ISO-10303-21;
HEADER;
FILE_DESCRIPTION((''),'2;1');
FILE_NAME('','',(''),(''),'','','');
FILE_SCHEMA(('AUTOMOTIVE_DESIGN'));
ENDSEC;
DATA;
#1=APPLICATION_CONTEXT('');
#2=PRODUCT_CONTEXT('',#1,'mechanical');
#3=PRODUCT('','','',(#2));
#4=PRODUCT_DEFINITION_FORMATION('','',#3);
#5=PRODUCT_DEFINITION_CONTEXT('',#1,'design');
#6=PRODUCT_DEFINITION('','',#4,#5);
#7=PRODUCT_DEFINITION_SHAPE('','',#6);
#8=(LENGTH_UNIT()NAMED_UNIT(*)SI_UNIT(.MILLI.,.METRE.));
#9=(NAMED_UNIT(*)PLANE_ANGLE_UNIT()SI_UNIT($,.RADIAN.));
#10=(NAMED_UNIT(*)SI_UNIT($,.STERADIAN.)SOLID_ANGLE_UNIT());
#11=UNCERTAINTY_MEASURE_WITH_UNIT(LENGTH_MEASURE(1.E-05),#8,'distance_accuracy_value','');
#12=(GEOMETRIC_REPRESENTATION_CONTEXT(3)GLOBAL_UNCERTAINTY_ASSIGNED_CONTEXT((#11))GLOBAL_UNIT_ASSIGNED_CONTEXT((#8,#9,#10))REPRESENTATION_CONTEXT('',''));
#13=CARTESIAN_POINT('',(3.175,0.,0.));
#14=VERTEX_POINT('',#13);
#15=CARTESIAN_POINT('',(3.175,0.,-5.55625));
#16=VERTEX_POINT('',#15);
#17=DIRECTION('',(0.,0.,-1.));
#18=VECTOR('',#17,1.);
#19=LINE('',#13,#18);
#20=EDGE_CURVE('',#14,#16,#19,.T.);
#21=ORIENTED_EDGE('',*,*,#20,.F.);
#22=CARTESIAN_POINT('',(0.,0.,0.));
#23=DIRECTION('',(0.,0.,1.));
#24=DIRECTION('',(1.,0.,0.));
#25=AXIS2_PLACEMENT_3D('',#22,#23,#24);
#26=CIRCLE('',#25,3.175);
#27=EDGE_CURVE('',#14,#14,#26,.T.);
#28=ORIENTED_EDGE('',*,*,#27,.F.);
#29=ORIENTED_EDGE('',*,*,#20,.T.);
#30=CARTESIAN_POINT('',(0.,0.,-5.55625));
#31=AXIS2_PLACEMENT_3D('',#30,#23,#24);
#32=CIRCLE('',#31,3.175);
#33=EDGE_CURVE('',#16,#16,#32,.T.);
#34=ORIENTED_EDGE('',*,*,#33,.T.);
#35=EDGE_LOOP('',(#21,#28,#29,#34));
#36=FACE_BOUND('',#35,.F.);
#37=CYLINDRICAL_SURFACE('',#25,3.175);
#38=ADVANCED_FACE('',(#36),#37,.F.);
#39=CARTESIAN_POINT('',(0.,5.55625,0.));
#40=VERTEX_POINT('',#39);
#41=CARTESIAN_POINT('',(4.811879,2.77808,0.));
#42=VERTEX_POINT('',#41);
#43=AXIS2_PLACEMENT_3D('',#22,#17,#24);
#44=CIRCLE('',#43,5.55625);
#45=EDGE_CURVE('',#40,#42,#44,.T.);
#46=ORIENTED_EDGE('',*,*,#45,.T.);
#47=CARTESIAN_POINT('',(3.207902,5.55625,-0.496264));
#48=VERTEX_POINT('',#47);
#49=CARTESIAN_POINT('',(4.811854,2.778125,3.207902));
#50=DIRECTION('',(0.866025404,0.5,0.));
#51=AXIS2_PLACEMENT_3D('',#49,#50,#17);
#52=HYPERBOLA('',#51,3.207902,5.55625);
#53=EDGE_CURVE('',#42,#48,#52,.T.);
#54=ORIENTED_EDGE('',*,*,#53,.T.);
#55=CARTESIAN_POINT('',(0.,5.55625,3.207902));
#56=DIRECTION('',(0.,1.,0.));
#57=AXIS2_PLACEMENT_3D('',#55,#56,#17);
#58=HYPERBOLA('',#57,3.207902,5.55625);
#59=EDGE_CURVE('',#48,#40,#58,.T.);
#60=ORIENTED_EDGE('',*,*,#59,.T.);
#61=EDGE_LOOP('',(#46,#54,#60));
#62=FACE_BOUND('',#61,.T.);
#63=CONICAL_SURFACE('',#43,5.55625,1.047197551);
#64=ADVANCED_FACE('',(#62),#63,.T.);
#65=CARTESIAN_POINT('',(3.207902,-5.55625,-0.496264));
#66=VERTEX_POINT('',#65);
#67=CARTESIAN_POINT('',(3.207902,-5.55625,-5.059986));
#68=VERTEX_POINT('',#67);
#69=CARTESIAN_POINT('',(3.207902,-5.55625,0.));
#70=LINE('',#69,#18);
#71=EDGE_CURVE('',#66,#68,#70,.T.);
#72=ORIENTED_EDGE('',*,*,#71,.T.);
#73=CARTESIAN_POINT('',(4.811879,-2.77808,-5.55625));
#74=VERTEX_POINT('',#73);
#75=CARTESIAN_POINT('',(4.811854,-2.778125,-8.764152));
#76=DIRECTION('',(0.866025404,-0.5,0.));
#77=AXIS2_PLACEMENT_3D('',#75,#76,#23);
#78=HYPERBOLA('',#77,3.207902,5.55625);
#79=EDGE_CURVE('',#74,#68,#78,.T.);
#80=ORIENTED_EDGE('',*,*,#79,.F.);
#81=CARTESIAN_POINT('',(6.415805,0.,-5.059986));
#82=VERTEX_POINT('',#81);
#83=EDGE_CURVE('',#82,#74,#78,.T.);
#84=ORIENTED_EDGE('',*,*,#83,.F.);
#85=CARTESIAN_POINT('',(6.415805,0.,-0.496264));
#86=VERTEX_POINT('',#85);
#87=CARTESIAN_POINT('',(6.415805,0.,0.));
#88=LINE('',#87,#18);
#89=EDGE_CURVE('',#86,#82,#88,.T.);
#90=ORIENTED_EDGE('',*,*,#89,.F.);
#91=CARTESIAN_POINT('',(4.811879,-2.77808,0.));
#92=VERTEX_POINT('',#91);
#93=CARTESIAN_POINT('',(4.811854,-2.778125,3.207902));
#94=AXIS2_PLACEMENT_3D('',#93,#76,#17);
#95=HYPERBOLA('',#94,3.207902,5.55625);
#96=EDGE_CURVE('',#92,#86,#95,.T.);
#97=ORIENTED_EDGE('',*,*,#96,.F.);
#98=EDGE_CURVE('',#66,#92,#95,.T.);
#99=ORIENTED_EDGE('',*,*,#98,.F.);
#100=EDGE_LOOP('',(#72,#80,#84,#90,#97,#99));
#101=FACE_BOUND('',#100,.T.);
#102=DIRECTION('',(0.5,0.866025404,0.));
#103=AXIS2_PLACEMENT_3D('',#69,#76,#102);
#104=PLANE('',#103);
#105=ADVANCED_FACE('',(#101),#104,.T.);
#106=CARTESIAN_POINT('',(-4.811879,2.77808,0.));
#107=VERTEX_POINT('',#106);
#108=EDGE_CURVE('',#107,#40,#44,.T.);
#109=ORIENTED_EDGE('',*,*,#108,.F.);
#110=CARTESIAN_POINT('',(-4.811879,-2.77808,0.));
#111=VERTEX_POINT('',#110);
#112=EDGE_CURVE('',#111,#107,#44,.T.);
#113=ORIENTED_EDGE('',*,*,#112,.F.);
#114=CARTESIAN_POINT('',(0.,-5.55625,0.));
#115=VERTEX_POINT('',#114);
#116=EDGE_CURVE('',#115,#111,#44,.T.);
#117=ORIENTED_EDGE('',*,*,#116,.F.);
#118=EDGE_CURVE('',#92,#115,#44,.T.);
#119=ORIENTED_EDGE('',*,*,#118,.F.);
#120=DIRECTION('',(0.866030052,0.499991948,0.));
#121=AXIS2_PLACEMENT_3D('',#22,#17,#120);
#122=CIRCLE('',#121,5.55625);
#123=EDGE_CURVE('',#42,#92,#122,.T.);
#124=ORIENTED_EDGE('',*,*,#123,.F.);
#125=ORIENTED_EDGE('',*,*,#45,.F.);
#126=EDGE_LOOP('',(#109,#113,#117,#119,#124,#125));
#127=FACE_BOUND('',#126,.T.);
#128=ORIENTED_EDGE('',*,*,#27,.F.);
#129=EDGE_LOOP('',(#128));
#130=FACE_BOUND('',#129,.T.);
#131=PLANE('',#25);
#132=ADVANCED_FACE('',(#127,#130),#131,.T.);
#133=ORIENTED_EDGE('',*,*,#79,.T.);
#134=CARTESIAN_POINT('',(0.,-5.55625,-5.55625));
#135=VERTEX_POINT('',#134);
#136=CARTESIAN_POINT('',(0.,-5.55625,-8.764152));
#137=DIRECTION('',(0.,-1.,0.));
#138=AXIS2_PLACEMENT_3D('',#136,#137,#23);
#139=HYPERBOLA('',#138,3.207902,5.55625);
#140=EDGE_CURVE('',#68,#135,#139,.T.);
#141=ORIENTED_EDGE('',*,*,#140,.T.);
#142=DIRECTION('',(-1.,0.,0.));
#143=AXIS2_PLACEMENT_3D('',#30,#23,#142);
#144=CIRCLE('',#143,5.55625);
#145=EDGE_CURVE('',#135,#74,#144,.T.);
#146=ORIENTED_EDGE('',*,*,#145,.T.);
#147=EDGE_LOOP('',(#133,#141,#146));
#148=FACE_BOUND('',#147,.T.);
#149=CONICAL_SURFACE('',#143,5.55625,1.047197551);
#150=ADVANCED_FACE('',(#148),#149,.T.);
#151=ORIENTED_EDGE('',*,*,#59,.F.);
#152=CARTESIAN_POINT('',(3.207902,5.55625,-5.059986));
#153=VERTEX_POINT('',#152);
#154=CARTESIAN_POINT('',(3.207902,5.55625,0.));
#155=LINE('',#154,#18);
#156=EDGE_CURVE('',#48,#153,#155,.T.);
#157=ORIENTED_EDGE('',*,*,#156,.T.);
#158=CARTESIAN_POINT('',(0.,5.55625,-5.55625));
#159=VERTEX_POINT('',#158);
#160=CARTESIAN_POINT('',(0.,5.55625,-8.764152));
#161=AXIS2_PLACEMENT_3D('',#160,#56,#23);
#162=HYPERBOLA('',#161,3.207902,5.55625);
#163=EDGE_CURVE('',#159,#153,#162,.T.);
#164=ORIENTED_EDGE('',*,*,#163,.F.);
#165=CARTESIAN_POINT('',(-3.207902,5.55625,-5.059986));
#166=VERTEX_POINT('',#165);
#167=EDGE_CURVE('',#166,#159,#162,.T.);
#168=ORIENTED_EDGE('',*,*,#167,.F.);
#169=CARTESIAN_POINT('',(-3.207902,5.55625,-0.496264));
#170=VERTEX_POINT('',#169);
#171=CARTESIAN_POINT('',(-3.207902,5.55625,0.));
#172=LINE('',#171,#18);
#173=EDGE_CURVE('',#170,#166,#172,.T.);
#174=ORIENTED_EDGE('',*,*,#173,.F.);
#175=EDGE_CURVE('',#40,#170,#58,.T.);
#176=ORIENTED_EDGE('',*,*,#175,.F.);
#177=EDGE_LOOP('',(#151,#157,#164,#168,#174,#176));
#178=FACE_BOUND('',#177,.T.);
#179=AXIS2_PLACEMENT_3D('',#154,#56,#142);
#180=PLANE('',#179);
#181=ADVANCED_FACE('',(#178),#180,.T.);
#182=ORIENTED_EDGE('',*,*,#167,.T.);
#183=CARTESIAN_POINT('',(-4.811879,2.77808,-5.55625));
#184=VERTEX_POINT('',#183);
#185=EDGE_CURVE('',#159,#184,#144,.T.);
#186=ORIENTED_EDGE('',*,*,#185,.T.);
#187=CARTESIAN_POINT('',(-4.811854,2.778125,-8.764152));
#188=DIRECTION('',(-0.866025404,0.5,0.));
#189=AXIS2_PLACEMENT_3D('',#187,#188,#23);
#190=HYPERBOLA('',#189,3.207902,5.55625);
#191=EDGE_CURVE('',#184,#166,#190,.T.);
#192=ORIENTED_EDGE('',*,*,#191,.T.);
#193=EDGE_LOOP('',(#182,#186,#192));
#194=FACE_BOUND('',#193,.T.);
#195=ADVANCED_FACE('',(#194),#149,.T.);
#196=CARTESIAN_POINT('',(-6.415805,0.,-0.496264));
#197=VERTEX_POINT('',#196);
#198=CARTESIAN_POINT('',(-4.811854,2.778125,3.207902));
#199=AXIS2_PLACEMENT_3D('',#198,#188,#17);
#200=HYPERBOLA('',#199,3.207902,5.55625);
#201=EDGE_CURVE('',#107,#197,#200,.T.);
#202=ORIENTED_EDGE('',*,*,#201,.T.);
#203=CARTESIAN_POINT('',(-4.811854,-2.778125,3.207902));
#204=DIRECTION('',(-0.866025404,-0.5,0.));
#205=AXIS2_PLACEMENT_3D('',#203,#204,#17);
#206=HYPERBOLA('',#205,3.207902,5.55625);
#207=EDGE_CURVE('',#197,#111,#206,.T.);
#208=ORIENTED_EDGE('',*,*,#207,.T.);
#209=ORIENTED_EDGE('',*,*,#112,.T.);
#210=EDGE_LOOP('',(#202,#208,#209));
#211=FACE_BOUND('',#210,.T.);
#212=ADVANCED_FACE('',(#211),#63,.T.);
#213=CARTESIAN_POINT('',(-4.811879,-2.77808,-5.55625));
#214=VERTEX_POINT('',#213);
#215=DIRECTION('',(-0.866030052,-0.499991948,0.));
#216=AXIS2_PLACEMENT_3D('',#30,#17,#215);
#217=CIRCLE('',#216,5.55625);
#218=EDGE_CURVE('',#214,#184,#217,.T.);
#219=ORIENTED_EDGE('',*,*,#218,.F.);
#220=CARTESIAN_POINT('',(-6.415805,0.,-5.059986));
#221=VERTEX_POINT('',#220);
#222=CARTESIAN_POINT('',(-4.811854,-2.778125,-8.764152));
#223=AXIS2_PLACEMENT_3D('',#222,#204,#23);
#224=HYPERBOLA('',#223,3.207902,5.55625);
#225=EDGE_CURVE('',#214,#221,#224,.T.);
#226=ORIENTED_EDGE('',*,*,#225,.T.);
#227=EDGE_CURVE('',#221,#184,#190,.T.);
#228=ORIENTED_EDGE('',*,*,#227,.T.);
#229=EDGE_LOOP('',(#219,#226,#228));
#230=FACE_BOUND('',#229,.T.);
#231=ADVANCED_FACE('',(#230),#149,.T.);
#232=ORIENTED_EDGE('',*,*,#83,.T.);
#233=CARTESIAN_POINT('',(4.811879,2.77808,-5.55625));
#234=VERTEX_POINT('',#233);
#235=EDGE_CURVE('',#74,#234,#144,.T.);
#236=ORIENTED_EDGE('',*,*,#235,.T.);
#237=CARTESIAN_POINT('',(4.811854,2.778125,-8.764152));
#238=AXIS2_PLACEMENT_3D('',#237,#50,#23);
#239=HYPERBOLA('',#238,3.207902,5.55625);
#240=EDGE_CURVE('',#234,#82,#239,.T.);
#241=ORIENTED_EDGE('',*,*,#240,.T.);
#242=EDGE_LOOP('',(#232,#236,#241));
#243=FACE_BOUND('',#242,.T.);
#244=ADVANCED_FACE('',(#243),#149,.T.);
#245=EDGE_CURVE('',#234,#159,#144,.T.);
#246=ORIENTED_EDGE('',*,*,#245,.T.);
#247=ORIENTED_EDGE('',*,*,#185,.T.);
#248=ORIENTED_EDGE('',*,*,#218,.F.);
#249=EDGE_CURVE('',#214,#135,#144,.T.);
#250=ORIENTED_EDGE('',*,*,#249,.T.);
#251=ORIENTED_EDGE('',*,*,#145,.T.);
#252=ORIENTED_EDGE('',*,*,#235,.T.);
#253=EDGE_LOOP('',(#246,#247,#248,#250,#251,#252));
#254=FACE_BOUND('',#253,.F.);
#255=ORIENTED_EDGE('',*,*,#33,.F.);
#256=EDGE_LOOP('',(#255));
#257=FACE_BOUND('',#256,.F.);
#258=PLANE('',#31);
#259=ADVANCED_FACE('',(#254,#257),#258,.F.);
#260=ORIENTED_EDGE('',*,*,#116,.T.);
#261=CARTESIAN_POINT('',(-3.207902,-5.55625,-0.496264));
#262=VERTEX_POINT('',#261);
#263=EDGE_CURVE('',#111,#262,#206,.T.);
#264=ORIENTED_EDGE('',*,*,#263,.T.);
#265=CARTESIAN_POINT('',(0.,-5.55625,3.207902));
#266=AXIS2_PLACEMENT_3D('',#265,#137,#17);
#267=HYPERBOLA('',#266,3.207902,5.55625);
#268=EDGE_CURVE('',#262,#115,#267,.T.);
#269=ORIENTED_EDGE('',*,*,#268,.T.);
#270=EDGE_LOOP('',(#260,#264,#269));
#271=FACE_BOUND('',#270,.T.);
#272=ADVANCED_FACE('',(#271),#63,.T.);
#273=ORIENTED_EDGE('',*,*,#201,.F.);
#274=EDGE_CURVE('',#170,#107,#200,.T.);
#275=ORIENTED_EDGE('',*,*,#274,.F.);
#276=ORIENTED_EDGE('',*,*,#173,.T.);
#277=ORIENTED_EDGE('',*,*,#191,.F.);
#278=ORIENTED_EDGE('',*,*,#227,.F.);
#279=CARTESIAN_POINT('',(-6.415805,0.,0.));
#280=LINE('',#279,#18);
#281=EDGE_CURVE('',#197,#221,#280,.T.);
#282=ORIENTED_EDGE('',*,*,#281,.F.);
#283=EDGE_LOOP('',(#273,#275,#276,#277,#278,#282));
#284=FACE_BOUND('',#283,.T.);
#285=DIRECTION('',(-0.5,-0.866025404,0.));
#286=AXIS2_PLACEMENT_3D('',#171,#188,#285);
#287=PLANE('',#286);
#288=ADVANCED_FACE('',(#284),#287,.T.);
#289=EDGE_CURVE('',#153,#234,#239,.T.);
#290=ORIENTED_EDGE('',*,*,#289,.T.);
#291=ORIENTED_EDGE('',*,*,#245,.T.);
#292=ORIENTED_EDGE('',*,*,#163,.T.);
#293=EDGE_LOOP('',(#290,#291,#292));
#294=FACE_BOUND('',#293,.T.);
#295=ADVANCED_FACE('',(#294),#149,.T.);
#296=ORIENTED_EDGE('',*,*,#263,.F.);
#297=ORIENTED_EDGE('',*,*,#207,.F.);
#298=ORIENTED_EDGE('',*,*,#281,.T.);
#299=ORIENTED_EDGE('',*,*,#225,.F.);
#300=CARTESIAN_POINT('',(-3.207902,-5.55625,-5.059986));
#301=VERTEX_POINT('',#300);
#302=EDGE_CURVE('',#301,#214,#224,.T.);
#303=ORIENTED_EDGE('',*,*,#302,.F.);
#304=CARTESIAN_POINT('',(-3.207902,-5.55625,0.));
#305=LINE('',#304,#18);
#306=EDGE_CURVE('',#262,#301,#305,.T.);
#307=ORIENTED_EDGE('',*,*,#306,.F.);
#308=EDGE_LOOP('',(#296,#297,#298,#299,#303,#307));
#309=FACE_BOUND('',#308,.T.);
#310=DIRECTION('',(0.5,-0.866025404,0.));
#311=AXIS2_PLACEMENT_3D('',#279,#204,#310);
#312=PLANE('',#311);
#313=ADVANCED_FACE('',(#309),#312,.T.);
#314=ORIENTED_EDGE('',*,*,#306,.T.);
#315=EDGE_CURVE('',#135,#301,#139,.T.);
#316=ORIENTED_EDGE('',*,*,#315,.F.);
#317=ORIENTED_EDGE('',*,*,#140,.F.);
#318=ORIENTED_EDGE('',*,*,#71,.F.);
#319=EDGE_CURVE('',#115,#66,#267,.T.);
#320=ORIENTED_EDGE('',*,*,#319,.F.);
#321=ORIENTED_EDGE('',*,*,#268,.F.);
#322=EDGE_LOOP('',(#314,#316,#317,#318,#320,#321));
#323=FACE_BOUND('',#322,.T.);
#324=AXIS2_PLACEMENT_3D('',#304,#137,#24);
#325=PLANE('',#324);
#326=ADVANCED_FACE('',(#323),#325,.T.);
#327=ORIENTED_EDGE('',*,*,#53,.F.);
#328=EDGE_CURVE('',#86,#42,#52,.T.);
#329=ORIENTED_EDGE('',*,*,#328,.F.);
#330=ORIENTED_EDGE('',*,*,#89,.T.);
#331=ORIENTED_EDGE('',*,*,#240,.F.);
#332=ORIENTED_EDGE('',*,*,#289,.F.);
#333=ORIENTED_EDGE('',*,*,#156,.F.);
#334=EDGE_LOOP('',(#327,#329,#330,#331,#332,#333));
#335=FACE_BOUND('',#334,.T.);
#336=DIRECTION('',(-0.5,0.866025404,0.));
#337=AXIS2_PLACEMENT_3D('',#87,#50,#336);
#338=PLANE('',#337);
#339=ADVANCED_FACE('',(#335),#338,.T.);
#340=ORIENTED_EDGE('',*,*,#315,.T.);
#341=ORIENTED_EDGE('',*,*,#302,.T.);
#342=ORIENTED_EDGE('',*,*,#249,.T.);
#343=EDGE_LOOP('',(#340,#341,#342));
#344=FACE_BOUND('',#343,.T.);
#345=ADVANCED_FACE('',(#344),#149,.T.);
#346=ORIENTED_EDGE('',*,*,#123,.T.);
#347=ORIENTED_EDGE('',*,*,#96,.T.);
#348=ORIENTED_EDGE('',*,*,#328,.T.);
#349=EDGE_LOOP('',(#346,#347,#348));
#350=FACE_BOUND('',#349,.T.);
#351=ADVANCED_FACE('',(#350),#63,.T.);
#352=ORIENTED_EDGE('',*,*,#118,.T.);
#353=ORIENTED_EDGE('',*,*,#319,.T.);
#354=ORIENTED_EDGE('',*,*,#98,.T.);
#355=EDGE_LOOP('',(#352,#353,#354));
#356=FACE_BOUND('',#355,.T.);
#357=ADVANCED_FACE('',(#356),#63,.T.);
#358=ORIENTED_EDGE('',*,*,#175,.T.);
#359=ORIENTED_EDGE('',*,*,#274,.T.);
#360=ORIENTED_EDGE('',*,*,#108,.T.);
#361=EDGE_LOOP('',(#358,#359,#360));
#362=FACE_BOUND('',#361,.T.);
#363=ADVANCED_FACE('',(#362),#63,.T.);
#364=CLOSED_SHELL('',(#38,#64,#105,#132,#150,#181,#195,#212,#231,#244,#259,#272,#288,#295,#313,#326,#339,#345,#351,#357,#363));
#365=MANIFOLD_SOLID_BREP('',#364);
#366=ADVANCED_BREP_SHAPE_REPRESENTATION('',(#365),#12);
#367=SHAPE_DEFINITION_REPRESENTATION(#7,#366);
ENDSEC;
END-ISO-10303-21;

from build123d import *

# Parameters (mm, degrees)
BASE_EXTRUDE_DEPTH = 5.55625
SKETCH4_R          = 3.175
I_D_DEPTH          = 6.55625
SKETCH5_OUTSIDE_W  = 106.392
SKETCH5_OUTSIDE_H  = 104.672
SKETCH5_OUTSIDE_R  = 5.55625
CUT_EXTRUDE3_DEPTH = 25.4
CUT_EXTRUDE3_TAPER = 60
SKETCH6_OUTSIDE_W  = 53.046
SKETCH6_OUTSIDE_H  = 51.326
SKETCH6_OUTSIDE_R  = 5.55625
CUT_EXTRUDE4_DEPTH = 10
CUT_EXTRUDE4_TAPER = 60


with BuildPart() as part:
    # Sketch2 → Base-Extrude (new body)
    with BuildSketch(Plane.XY):
        Polygon((3.207902433, -5.55625), (6.415804866, 0), (3.207902433, 5.55625), (-3.207902433, 5.55625), (-6.415804866, 0), (-3.207902433, -5.55625), align=None)
    extrude(amount=-BASE_EXTRUDE_DEPTH)

    # Sketch4 → I.D. (cut, through all)
    with BuildSketch(Plane.XY):
        Circle(SKETCH4_R)
    extrude(amount=-I_D_DEPTH, mode=Mode.SUBTRACT)

    # Sketch5 outside → Cut-Extrude3 (cut)
    with BuildSketch(Plane(origin=(0, 0, -5.55625), x_dir=(-1, 0, 0), z_dir=(0, 0, -1))):
        Rectangle(SKETCH5_OUTSIDE_W, SKETCH5_OUTSIDE_H)
        Circle(SKETCH5_OUTSIDE_R, mode=Mode.SUBTRACT)
    extrude(amount=-CUT_EXTRUDE3_DEPTH, taper=CUT_EXTRUDE3_TAPER, mode=Mode.SUBTRACT)

    # Sketch6 outside → Cut-Extrude4 (cut)
    with BuildSketch(Plane.XY):
        Rectangle(SKETCH6_OUTSIDE_W, SKETCH6_OUTSIDE_H)
        Circle(SKETCH6_OUTSIDE_R, mode=Mode.SUBTRACT)
    extrude(amount=-CUT_EXTRUDE4_DEPTH, taper=CUT_EXTRUDE4_TAPER, mode=Mode.SUBTRACT)


solid = part.part
